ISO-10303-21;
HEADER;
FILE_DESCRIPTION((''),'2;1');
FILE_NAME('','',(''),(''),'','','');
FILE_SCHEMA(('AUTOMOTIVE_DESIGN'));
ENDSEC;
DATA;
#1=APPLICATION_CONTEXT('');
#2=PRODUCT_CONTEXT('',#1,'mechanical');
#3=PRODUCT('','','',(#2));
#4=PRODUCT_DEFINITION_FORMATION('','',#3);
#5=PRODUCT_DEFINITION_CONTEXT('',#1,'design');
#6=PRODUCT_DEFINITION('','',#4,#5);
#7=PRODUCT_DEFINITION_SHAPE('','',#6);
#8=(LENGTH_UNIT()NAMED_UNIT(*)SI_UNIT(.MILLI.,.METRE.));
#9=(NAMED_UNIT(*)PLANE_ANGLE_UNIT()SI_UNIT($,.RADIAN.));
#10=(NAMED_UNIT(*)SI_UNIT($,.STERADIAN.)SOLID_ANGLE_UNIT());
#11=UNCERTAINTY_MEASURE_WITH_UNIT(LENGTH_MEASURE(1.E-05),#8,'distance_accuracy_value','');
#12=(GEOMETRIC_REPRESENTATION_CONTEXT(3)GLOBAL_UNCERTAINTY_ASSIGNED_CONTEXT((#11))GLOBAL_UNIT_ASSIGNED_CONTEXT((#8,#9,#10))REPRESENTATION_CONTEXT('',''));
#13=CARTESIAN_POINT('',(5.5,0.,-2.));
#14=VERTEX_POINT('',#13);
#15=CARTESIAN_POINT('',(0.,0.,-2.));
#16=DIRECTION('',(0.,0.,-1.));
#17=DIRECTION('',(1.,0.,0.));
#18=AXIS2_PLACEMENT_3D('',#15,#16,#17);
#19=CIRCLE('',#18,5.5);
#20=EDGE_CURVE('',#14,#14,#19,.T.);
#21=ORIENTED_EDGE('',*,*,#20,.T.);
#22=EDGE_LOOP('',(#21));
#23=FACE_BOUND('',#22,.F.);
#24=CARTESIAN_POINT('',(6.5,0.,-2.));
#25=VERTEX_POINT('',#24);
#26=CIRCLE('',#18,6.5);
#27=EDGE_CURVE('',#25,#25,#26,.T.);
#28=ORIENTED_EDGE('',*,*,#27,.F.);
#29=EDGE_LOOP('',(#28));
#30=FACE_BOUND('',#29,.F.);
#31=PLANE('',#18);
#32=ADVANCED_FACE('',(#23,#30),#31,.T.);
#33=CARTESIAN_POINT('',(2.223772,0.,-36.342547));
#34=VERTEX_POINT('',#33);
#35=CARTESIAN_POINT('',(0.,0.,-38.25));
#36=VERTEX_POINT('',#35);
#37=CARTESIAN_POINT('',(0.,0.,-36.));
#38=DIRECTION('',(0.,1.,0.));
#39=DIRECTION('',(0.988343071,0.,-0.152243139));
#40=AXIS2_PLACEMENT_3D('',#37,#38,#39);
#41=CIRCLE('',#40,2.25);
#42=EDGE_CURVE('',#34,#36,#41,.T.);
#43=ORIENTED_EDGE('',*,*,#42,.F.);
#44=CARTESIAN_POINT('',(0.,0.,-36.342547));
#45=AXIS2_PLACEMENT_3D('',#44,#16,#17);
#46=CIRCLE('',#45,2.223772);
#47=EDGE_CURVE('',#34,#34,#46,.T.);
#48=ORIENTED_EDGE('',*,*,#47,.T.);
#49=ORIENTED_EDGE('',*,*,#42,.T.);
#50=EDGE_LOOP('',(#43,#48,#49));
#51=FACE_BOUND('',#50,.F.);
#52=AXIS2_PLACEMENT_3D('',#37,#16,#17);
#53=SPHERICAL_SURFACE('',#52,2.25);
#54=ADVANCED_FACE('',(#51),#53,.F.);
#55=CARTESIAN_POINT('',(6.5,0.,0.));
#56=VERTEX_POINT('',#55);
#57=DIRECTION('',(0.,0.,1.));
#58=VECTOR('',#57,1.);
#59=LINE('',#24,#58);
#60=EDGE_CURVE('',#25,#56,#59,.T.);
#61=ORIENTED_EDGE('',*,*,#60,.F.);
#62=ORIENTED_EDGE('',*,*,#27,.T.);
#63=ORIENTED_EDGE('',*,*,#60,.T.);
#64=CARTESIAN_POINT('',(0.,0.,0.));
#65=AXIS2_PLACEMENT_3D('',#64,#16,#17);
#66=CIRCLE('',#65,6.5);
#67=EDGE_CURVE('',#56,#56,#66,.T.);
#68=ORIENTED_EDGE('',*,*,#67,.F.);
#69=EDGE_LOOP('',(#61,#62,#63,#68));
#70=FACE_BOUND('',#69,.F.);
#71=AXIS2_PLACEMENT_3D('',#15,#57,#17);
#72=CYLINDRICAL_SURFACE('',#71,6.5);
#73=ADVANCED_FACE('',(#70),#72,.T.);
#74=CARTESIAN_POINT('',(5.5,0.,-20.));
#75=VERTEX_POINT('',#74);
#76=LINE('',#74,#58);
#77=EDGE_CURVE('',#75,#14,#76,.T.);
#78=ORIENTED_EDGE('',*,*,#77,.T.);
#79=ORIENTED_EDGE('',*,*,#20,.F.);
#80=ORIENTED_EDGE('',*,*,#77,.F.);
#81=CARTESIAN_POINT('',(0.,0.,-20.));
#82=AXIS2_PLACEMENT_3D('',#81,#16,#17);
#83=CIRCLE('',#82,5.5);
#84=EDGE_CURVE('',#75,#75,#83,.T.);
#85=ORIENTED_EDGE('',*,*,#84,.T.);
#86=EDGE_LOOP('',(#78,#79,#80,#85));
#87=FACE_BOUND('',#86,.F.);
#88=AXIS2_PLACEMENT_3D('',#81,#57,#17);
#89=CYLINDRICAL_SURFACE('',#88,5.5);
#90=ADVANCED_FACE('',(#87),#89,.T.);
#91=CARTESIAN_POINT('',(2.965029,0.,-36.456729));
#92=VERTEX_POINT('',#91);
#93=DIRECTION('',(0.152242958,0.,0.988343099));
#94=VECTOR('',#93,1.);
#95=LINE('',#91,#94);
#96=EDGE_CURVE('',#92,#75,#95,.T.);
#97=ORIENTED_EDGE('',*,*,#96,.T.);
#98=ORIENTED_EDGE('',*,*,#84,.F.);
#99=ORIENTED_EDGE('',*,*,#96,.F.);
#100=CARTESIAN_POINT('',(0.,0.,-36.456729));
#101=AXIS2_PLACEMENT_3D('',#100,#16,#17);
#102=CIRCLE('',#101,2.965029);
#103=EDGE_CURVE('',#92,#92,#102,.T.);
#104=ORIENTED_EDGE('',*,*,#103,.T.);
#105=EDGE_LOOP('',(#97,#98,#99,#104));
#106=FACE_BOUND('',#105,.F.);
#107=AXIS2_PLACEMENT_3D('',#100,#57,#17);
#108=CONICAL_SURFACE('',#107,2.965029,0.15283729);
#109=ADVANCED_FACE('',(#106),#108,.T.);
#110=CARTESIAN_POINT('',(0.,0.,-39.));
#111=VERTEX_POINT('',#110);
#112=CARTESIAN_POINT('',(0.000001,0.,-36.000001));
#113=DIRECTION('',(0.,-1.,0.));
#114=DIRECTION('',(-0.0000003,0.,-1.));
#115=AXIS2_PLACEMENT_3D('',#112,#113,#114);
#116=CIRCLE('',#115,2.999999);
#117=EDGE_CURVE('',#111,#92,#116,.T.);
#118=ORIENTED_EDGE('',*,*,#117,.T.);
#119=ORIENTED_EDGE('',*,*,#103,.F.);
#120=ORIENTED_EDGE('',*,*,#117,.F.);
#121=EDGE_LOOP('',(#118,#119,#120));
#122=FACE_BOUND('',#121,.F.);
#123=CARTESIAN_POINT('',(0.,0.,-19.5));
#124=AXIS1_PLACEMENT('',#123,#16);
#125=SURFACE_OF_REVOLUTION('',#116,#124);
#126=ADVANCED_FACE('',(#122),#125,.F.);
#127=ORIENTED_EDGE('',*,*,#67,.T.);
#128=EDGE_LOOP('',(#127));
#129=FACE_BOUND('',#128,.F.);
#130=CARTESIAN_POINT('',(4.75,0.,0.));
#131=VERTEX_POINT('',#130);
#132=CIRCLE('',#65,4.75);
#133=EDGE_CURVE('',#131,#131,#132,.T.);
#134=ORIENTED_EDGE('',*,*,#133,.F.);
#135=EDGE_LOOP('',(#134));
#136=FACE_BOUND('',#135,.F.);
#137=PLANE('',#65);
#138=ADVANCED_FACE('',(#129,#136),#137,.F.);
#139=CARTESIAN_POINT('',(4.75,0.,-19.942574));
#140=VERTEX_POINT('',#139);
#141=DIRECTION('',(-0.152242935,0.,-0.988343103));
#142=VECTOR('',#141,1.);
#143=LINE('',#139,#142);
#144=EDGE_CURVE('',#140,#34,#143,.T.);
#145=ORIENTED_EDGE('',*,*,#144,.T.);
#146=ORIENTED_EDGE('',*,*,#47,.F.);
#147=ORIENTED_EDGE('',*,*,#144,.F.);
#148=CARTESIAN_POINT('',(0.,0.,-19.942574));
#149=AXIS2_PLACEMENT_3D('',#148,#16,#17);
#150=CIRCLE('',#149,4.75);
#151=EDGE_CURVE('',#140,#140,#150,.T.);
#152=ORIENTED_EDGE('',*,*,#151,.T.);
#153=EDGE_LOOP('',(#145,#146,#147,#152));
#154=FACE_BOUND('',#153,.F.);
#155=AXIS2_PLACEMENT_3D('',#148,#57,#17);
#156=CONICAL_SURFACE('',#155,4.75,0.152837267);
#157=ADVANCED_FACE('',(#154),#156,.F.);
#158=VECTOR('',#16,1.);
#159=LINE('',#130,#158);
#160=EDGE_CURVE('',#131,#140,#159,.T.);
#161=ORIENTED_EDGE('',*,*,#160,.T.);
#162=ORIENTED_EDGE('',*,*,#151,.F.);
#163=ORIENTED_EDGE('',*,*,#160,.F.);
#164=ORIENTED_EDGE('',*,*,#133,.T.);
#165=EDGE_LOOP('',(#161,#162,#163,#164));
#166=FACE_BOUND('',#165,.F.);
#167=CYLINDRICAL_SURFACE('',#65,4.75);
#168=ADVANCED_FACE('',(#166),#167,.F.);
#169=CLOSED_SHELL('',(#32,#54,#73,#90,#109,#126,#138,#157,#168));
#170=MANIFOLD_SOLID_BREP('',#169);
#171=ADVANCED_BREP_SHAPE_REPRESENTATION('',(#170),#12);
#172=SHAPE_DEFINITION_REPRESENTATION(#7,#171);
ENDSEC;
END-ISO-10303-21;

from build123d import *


with BuildPart() as f1:
    # F0 (on Front) → F1 (revolve)
    with BuildSketch(Plane.XZ):
        with BuildLine():
            Line((0, -38.25), (0, -39))
            ThreePointArc((0, -39), (1.953179, -38.27708), (2.965029, -36.456729))
            Line((2.965029, -36.456729), (5.5, -20))
            Line((5.5, -20), (5.5, -2))
            Line((5.5, -2), (6.5, -2))
            Line((6.5, -2), (6.5, 0))
            Line((6.5, 0), (4.75, 0))
            Line((4.75, 0), (4.75, -19.942574))
            Line((4.75, -19.942574), (2.223772, -36.342547))
            ThreePointArc((2.223772, -36.342547), (1.464884, -37.70781), (0, -38.25))
        make_face()
    revolve(axis=Axis((0, 0, -19.5), (0, 0, -1)))


solid = f1.part
